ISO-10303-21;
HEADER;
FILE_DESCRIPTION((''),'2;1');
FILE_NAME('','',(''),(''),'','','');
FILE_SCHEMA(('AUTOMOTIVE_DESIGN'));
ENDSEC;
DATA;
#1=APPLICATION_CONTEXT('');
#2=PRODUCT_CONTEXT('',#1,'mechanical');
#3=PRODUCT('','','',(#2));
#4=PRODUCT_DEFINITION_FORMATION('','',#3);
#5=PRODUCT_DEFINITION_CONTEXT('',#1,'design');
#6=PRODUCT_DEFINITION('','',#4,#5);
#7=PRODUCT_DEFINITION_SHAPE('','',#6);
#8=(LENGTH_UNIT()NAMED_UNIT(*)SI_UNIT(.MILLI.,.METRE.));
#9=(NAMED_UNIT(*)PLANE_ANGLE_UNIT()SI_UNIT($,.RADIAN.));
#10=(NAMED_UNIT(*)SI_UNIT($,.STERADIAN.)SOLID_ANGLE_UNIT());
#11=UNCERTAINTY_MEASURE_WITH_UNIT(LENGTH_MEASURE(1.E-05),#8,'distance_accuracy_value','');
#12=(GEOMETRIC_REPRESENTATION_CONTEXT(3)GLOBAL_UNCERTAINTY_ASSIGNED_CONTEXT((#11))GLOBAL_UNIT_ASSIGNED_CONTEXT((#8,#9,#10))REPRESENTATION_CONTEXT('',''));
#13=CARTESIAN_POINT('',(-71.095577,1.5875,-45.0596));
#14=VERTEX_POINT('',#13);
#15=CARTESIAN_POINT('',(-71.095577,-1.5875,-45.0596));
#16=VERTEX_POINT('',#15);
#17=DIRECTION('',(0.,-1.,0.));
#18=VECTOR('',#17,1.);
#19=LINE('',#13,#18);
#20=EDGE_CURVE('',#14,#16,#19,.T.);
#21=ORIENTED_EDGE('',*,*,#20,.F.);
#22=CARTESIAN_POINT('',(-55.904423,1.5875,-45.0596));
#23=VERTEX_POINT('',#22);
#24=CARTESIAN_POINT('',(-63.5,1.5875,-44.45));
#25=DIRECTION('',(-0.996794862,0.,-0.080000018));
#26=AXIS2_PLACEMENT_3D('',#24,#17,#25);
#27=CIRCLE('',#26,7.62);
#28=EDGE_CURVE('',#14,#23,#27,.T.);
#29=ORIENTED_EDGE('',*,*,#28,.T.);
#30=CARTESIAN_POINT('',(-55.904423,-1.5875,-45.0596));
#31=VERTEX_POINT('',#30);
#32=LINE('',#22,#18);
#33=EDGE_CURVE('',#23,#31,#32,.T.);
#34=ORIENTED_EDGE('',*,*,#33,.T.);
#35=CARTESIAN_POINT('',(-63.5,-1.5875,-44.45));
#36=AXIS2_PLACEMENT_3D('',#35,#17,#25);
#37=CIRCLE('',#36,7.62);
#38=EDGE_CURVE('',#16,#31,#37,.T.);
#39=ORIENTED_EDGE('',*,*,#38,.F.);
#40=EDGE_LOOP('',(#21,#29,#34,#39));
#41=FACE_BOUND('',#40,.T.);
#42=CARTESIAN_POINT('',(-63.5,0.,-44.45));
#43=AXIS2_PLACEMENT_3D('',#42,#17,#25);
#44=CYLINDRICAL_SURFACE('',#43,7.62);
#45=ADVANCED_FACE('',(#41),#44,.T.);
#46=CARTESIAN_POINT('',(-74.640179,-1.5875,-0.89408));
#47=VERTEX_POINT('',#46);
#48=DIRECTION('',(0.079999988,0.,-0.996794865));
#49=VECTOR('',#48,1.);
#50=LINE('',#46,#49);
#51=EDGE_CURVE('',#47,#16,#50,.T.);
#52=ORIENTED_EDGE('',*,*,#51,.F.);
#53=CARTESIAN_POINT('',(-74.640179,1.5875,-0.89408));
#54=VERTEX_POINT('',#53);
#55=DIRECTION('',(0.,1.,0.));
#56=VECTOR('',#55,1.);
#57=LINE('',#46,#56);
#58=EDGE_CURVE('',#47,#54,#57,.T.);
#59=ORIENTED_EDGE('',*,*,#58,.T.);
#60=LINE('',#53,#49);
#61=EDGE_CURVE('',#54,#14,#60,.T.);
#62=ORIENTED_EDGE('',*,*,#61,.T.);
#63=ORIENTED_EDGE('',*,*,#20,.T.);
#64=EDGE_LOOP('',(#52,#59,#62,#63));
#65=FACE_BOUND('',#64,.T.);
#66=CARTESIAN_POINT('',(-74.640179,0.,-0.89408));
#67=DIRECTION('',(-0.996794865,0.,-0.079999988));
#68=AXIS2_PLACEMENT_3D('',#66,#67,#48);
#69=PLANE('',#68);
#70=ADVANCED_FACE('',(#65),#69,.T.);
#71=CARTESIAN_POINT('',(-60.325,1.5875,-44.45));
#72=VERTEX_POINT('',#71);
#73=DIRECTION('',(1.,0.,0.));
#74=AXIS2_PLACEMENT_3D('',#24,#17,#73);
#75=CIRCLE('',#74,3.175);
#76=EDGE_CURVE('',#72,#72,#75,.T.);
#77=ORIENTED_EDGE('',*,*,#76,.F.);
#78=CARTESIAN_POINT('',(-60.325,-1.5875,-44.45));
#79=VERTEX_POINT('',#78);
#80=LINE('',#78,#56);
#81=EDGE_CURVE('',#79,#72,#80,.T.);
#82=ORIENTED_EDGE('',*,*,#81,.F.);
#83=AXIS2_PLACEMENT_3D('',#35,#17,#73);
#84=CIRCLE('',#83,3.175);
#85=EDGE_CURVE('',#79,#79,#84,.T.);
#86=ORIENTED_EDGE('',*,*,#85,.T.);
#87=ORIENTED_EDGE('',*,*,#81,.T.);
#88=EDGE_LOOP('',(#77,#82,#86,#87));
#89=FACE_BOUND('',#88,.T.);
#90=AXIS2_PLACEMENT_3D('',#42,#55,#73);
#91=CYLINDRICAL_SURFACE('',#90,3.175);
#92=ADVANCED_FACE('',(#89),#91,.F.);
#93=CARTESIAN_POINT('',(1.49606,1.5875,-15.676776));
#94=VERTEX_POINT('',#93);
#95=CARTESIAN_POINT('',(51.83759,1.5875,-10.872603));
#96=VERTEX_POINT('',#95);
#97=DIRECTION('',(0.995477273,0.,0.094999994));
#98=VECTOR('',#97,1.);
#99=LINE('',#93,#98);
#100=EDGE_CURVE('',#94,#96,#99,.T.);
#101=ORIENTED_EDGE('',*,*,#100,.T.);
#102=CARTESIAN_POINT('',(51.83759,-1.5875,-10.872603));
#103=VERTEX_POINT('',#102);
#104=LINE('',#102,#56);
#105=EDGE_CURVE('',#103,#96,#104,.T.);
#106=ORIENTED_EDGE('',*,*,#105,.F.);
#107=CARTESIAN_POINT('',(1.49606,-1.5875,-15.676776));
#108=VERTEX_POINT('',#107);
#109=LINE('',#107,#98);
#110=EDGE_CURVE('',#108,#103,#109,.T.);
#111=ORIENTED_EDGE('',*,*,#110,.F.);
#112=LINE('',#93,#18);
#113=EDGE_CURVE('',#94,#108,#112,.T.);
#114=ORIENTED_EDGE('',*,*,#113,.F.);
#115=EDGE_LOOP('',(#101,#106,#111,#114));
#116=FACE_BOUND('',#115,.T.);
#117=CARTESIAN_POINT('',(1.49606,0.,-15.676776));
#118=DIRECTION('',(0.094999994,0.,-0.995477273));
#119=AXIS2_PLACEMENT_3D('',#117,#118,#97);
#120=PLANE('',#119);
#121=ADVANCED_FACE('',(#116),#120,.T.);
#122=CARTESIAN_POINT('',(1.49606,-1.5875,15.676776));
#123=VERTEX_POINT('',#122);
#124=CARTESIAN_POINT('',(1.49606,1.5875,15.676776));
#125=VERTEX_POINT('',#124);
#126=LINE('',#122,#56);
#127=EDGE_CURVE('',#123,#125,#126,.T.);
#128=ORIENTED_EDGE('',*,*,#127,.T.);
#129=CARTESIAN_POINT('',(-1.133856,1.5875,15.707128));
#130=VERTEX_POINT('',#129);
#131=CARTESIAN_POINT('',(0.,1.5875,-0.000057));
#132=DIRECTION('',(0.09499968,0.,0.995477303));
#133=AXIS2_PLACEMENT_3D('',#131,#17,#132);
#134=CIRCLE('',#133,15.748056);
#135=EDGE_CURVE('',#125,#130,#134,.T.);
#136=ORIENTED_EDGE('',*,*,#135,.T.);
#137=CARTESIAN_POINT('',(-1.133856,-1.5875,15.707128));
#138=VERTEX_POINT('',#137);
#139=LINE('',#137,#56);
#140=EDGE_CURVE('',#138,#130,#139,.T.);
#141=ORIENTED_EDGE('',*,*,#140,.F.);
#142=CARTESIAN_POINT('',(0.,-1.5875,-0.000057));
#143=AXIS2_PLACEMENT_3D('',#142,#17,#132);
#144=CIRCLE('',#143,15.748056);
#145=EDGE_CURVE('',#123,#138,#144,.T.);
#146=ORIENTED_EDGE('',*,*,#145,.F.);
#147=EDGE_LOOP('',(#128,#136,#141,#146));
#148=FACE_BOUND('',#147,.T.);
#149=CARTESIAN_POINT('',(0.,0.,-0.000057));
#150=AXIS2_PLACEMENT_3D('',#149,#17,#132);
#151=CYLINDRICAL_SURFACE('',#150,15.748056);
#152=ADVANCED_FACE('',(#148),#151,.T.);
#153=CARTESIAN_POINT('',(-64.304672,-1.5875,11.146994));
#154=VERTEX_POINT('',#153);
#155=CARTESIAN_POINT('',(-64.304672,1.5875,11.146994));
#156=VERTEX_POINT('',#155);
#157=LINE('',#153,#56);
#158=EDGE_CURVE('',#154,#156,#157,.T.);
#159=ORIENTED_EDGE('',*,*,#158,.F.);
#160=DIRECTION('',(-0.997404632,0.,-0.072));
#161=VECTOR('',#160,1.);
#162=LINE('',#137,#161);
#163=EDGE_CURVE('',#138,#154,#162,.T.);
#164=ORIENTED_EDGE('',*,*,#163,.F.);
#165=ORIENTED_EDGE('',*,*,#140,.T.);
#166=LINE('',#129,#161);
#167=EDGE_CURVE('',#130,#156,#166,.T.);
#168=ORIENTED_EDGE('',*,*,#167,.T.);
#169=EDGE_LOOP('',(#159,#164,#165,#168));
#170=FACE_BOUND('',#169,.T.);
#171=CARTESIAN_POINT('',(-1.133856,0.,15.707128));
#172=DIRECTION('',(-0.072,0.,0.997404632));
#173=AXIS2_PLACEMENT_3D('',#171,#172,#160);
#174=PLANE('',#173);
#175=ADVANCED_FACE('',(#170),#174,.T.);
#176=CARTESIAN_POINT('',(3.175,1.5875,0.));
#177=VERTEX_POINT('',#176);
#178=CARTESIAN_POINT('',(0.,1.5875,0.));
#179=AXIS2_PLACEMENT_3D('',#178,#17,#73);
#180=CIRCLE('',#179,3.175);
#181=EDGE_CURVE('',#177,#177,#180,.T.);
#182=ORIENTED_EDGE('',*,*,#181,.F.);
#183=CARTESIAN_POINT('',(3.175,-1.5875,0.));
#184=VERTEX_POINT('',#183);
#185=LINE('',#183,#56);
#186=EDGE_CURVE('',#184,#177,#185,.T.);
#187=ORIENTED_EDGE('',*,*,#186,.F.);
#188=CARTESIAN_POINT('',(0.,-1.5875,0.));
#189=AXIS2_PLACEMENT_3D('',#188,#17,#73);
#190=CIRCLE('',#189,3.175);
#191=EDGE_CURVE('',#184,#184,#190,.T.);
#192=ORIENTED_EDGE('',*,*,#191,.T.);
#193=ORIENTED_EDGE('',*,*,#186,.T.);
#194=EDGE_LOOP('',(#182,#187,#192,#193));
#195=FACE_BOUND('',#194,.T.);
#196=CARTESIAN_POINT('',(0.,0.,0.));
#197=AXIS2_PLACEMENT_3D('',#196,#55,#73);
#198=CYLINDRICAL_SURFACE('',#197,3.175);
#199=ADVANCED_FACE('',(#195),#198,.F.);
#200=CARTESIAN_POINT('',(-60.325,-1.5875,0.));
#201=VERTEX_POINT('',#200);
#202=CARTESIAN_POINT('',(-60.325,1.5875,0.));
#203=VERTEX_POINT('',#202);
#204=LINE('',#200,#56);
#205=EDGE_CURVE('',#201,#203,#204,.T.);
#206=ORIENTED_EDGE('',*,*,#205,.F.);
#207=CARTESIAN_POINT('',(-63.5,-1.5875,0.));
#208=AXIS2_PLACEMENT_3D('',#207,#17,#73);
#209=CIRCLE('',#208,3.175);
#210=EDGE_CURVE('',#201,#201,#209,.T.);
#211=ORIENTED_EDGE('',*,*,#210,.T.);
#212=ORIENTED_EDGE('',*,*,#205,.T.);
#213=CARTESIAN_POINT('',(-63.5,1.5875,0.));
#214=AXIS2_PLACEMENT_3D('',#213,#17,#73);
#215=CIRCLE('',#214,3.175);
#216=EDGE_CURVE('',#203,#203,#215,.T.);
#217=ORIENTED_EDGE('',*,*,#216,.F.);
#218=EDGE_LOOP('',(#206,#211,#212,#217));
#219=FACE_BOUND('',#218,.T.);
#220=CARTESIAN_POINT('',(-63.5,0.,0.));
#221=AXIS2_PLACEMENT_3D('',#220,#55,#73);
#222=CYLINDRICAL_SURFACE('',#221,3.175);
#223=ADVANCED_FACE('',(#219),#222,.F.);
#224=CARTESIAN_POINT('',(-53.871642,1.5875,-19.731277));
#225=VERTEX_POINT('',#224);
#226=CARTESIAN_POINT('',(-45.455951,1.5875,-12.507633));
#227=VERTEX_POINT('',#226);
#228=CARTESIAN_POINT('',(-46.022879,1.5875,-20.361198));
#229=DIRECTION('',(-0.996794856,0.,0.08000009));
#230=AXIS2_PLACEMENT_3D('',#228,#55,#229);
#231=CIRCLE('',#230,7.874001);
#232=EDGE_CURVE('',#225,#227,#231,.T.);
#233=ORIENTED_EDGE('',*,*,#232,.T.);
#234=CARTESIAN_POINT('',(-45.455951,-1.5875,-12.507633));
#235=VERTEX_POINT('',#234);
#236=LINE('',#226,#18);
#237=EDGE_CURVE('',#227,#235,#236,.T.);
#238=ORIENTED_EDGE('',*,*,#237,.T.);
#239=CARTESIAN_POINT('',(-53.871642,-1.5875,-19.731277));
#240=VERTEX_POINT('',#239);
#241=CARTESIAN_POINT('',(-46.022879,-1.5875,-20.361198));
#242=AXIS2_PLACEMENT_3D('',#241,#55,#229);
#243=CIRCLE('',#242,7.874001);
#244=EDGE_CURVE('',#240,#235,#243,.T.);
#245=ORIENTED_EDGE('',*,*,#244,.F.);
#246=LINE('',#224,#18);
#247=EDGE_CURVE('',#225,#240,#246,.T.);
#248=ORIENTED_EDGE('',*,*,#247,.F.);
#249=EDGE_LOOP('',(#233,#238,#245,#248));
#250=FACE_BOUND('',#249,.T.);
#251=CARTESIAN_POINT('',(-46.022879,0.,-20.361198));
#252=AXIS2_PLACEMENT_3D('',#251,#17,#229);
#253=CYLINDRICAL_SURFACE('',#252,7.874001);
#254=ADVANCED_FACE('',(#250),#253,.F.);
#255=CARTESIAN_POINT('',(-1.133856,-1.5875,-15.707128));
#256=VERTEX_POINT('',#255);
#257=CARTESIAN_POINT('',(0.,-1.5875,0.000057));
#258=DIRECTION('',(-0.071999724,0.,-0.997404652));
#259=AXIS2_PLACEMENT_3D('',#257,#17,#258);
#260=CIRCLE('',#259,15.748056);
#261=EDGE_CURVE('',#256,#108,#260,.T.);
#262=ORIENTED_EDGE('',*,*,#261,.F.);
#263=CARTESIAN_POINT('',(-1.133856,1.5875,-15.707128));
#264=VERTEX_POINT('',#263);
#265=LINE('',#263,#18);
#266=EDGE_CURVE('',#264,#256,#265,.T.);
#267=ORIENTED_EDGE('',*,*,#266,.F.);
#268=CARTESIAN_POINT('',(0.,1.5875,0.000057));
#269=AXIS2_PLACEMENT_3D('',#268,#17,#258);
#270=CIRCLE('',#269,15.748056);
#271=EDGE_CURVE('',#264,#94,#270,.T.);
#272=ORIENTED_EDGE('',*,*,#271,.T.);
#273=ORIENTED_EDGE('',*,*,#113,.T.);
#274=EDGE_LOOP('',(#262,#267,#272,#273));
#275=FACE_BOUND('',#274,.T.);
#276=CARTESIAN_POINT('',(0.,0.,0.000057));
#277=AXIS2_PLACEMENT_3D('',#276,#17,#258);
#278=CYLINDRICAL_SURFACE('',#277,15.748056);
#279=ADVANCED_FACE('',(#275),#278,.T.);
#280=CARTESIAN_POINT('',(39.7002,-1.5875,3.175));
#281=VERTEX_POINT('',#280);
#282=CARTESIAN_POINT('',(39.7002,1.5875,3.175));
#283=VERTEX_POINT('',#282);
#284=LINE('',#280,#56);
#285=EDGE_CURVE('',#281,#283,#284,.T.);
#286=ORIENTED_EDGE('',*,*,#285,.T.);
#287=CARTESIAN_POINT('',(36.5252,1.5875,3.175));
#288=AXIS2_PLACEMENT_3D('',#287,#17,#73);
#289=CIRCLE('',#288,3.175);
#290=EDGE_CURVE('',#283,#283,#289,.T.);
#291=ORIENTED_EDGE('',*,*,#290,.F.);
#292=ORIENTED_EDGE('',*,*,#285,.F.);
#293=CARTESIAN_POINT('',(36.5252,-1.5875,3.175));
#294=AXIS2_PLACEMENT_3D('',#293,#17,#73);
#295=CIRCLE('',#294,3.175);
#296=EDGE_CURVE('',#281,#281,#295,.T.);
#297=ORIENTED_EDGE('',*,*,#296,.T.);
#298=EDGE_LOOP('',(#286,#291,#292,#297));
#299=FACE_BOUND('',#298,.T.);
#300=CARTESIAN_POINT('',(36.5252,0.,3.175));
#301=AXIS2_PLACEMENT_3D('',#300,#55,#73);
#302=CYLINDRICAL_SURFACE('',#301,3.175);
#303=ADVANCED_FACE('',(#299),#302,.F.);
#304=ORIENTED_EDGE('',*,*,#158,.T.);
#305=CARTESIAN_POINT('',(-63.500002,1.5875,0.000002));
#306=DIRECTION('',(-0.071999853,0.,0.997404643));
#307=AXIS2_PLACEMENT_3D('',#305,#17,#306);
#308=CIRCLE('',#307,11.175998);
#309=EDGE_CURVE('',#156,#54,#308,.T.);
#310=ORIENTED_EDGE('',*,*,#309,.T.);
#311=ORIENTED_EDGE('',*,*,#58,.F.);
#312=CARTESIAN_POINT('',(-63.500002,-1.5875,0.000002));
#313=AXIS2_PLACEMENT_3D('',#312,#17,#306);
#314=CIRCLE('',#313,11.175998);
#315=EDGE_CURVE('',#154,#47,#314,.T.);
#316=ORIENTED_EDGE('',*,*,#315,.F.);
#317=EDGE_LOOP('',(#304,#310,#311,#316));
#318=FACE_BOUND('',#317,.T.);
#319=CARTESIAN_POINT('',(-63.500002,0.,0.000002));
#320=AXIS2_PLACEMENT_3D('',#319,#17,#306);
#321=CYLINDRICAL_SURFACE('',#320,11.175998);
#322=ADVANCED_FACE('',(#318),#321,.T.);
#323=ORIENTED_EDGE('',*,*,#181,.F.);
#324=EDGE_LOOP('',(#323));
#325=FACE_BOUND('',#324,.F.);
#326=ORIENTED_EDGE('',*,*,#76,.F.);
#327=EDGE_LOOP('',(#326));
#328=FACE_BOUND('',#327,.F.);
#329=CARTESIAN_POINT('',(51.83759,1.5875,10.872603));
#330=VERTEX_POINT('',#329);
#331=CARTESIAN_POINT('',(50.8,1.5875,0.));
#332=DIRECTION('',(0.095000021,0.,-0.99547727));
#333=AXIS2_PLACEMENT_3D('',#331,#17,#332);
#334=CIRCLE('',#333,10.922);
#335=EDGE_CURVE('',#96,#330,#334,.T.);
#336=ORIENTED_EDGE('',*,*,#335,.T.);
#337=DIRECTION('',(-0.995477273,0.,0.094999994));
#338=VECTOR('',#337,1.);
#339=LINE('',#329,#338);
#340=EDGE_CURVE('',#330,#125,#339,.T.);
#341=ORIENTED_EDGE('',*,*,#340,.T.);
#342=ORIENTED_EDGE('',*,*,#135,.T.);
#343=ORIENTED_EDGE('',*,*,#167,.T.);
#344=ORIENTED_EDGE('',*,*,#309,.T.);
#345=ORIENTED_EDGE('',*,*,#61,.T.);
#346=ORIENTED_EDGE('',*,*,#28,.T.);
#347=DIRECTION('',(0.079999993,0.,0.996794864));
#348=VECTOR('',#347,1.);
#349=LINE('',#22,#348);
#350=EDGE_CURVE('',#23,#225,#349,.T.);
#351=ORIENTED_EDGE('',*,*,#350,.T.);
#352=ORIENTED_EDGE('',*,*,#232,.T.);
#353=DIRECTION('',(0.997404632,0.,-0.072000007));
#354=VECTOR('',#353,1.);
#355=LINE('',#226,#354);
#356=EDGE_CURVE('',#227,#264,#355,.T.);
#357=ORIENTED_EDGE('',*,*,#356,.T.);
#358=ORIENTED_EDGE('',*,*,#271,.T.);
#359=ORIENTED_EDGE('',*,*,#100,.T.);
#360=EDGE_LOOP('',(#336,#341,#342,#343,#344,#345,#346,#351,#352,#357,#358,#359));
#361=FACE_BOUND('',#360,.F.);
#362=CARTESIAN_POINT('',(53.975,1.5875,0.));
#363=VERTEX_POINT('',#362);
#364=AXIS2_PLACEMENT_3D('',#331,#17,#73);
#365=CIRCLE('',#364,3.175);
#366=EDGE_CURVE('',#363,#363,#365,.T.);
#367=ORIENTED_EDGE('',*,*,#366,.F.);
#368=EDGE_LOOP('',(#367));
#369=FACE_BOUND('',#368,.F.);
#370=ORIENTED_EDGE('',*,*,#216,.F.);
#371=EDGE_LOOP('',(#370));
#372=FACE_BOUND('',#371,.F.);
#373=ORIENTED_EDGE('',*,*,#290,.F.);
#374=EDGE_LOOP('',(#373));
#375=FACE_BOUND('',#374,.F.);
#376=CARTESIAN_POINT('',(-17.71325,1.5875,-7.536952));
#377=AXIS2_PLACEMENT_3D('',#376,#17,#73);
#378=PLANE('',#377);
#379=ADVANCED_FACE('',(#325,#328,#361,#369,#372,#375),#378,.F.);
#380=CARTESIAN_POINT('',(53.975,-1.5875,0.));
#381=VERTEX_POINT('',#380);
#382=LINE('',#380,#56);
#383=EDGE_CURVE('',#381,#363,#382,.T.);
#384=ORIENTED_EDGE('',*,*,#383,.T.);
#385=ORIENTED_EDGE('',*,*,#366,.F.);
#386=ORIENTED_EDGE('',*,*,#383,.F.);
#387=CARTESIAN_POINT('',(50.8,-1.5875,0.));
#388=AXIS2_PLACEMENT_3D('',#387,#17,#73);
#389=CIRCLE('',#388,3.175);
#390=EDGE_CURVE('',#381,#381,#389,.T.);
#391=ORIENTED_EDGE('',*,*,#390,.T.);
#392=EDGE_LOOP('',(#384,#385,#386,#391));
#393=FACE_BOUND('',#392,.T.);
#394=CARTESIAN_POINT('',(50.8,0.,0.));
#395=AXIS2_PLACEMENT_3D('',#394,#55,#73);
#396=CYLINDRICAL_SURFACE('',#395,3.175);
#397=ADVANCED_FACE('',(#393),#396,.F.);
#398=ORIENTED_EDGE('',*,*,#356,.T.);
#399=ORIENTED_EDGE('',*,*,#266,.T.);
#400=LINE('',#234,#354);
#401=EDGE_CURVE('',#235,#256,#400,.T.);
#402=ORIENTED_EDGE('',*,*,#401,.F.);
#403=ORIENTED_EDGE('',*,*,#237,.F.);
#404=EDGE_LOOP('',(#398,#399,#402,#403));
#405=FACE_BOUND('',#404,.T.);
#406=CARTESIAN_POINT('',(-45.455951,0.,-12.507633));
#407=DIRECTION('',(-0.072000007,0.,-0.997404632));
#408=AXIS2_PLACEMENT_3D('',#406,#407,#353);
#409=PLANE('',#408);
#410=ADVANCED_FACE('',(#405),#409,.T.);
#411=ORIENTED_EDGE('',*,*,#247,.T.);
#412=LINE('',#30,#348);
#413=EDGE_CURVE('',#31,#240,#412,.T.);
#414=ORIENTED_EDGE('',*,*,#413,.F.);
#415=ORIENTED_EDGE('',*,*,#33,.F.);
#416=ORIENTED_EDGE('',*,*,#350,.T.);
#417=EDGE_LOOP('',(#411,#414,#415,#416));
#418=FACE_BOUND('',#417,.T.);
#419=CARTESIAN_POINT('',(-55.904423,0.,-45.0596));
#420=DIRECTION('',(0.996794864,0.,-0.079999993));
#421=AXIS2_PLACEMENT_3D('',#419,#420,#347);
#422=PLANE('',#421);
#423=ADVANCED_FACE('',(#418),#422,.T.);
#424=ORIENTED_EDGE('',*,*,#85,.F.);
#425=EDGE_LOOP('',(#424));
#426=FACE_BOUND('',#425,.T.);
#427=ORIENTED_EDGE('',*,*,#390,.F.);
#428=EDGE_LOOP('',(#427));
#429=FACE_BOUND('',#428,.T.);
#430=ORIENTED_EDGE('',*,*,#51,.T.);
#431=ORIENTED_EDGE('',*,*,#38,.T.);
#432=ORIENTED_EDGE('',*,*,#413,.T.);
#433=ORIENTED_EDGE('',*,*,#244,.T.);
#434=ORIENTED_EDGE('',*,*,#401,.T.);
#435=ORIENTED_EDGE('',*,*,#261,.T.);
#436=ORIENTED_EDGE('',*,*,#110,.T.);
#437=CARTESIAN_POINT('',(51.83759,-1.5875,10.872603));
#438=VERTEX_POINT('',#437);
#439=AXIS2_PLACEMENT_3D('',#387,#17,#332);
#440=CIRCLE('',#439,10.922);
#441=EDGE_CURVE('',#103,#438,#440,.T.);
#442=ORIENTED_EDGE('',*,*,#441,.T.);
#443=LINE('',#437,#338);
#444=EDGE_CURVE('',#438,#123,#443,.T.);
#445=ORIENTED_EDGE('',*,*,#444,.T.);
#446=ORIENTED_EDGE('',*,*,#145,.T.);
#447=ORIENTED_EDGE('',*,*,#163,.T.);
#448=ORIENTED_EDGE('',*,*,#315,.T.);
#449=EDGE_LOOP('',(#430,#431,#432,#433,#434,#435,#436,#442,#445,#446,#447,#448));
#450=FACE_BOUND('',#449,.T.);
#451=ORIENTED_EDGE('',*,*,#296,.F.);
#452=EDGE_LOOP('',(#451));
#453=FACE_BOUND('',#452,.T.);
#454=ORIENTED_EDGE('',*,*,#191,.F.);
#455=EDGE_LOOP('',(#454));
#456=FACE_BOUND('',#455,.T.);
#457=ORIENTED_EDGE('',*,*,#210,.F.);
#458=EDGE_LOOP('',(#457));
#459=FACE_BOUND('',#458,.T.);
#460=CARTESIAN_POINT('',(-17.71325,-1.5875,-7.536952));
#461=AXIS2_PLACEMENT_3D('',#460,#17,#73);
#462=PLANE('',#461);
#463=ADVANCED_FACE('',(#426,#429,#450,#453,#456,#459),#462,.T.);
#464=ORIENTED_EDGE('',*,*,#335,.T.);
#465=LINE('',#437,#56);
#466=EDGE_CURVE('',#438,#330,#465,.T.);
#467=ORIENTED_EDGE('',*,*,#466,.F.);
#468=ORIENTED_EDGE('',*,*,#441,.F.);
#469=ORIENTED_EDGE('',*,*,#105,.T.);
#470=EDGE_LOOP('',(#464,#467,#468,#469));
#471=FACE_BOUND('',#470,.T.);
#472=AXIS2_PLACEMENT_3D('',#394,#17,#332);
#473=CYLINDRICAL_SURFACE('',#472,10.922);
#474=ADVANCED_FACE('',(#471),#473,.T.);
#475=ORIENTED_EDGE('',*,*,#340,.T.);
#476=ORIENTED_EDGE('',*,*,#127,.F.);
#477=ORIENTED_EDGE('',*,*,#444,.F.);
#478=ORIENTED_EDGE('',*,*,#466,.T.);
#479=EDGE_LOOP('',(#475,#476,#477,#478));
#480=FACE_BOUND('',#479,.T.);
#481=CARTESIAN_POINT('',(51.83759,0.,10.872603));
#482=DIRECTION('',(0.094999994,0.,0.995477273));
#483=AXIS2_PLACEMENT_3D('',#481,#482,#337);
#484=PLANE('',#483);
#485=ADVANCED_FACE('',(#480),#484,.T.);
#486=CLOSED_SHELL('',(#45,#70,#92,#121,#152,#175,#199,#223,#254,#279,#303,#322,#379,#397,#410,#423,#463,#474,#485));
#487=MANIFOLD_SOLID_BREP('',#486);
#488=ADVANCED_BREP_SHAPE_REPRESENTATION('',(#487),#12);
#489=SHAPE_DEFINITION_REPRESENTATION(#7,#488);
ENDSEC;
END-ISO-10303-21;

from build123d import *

# Parameters (mm, degrees)
F0_R     = 3.175
F1_DEPTH = 1.5875


with BuildPart() as f1:
    # F0 (on Front) → F1 (new body, symmetric)
    with BuildSketch(Plane.XZ):
        with BuildLine():
            Line((-74.640179, -0.89408), (-71.095577, -45.0596))
            ThreePointArc((-71.095577, -45.0596), (-63.5, -52.07), (-55.904423, -45.0596))
            Line((-55.904423, -45.0596), (-53.871642, -19.731277))
            ThreePointArc((-53.871642, -19.731277), (-51.151382, -14.386389), (-45.455951, -12.507633))
            Line((-45.455951, -12.507633), (-1.133856, -15.707128))
            ThreePointArc((-1.133856, -15.707128), (0.181737, -15.746951), (1.49606, -15.676776))
            Line((1.49606, -15.676776), (51.83759, -10.872603))
            ThreePointArc((51.83759, -10.872603), (61.722, 0), (51.83759, 10.872603))
            Line((51.83759, 10.872603), (1.49606, 15.676776))
            ThreePointArc((1.49606, 15.676776), (0.181737, 15.746951), (-1.133856, 15.707128))
            Line((-1.133856, 15.707128), (-64.304672, 11.146994))
            ThreePointArc((-64.304672, 11.146994), (-71.980374, 7.279165), (-74.640179, -0.89408))
        make_face()
        with Locations((-63.5, -44.45)):
            Circle(F0_R, mode=Mode.SUBTRACT)
        with Locations((-63.5, 0)):
            Circle(F0_R, mode=Mode.SUBTRACT)
        Circle(F0_R, mode=Mode.SUBTRACT)
        with Locations((36.5252, 3.175)):
            Circle(F0_R, mode=Mode.SUBTRACT)
        with Locations((50.8, 0)):
            Circle(F0_R, mode=Mode.SUBTRACT)
    extrude(amount=F1_DEPTH, both=True)


solid = f1.part
